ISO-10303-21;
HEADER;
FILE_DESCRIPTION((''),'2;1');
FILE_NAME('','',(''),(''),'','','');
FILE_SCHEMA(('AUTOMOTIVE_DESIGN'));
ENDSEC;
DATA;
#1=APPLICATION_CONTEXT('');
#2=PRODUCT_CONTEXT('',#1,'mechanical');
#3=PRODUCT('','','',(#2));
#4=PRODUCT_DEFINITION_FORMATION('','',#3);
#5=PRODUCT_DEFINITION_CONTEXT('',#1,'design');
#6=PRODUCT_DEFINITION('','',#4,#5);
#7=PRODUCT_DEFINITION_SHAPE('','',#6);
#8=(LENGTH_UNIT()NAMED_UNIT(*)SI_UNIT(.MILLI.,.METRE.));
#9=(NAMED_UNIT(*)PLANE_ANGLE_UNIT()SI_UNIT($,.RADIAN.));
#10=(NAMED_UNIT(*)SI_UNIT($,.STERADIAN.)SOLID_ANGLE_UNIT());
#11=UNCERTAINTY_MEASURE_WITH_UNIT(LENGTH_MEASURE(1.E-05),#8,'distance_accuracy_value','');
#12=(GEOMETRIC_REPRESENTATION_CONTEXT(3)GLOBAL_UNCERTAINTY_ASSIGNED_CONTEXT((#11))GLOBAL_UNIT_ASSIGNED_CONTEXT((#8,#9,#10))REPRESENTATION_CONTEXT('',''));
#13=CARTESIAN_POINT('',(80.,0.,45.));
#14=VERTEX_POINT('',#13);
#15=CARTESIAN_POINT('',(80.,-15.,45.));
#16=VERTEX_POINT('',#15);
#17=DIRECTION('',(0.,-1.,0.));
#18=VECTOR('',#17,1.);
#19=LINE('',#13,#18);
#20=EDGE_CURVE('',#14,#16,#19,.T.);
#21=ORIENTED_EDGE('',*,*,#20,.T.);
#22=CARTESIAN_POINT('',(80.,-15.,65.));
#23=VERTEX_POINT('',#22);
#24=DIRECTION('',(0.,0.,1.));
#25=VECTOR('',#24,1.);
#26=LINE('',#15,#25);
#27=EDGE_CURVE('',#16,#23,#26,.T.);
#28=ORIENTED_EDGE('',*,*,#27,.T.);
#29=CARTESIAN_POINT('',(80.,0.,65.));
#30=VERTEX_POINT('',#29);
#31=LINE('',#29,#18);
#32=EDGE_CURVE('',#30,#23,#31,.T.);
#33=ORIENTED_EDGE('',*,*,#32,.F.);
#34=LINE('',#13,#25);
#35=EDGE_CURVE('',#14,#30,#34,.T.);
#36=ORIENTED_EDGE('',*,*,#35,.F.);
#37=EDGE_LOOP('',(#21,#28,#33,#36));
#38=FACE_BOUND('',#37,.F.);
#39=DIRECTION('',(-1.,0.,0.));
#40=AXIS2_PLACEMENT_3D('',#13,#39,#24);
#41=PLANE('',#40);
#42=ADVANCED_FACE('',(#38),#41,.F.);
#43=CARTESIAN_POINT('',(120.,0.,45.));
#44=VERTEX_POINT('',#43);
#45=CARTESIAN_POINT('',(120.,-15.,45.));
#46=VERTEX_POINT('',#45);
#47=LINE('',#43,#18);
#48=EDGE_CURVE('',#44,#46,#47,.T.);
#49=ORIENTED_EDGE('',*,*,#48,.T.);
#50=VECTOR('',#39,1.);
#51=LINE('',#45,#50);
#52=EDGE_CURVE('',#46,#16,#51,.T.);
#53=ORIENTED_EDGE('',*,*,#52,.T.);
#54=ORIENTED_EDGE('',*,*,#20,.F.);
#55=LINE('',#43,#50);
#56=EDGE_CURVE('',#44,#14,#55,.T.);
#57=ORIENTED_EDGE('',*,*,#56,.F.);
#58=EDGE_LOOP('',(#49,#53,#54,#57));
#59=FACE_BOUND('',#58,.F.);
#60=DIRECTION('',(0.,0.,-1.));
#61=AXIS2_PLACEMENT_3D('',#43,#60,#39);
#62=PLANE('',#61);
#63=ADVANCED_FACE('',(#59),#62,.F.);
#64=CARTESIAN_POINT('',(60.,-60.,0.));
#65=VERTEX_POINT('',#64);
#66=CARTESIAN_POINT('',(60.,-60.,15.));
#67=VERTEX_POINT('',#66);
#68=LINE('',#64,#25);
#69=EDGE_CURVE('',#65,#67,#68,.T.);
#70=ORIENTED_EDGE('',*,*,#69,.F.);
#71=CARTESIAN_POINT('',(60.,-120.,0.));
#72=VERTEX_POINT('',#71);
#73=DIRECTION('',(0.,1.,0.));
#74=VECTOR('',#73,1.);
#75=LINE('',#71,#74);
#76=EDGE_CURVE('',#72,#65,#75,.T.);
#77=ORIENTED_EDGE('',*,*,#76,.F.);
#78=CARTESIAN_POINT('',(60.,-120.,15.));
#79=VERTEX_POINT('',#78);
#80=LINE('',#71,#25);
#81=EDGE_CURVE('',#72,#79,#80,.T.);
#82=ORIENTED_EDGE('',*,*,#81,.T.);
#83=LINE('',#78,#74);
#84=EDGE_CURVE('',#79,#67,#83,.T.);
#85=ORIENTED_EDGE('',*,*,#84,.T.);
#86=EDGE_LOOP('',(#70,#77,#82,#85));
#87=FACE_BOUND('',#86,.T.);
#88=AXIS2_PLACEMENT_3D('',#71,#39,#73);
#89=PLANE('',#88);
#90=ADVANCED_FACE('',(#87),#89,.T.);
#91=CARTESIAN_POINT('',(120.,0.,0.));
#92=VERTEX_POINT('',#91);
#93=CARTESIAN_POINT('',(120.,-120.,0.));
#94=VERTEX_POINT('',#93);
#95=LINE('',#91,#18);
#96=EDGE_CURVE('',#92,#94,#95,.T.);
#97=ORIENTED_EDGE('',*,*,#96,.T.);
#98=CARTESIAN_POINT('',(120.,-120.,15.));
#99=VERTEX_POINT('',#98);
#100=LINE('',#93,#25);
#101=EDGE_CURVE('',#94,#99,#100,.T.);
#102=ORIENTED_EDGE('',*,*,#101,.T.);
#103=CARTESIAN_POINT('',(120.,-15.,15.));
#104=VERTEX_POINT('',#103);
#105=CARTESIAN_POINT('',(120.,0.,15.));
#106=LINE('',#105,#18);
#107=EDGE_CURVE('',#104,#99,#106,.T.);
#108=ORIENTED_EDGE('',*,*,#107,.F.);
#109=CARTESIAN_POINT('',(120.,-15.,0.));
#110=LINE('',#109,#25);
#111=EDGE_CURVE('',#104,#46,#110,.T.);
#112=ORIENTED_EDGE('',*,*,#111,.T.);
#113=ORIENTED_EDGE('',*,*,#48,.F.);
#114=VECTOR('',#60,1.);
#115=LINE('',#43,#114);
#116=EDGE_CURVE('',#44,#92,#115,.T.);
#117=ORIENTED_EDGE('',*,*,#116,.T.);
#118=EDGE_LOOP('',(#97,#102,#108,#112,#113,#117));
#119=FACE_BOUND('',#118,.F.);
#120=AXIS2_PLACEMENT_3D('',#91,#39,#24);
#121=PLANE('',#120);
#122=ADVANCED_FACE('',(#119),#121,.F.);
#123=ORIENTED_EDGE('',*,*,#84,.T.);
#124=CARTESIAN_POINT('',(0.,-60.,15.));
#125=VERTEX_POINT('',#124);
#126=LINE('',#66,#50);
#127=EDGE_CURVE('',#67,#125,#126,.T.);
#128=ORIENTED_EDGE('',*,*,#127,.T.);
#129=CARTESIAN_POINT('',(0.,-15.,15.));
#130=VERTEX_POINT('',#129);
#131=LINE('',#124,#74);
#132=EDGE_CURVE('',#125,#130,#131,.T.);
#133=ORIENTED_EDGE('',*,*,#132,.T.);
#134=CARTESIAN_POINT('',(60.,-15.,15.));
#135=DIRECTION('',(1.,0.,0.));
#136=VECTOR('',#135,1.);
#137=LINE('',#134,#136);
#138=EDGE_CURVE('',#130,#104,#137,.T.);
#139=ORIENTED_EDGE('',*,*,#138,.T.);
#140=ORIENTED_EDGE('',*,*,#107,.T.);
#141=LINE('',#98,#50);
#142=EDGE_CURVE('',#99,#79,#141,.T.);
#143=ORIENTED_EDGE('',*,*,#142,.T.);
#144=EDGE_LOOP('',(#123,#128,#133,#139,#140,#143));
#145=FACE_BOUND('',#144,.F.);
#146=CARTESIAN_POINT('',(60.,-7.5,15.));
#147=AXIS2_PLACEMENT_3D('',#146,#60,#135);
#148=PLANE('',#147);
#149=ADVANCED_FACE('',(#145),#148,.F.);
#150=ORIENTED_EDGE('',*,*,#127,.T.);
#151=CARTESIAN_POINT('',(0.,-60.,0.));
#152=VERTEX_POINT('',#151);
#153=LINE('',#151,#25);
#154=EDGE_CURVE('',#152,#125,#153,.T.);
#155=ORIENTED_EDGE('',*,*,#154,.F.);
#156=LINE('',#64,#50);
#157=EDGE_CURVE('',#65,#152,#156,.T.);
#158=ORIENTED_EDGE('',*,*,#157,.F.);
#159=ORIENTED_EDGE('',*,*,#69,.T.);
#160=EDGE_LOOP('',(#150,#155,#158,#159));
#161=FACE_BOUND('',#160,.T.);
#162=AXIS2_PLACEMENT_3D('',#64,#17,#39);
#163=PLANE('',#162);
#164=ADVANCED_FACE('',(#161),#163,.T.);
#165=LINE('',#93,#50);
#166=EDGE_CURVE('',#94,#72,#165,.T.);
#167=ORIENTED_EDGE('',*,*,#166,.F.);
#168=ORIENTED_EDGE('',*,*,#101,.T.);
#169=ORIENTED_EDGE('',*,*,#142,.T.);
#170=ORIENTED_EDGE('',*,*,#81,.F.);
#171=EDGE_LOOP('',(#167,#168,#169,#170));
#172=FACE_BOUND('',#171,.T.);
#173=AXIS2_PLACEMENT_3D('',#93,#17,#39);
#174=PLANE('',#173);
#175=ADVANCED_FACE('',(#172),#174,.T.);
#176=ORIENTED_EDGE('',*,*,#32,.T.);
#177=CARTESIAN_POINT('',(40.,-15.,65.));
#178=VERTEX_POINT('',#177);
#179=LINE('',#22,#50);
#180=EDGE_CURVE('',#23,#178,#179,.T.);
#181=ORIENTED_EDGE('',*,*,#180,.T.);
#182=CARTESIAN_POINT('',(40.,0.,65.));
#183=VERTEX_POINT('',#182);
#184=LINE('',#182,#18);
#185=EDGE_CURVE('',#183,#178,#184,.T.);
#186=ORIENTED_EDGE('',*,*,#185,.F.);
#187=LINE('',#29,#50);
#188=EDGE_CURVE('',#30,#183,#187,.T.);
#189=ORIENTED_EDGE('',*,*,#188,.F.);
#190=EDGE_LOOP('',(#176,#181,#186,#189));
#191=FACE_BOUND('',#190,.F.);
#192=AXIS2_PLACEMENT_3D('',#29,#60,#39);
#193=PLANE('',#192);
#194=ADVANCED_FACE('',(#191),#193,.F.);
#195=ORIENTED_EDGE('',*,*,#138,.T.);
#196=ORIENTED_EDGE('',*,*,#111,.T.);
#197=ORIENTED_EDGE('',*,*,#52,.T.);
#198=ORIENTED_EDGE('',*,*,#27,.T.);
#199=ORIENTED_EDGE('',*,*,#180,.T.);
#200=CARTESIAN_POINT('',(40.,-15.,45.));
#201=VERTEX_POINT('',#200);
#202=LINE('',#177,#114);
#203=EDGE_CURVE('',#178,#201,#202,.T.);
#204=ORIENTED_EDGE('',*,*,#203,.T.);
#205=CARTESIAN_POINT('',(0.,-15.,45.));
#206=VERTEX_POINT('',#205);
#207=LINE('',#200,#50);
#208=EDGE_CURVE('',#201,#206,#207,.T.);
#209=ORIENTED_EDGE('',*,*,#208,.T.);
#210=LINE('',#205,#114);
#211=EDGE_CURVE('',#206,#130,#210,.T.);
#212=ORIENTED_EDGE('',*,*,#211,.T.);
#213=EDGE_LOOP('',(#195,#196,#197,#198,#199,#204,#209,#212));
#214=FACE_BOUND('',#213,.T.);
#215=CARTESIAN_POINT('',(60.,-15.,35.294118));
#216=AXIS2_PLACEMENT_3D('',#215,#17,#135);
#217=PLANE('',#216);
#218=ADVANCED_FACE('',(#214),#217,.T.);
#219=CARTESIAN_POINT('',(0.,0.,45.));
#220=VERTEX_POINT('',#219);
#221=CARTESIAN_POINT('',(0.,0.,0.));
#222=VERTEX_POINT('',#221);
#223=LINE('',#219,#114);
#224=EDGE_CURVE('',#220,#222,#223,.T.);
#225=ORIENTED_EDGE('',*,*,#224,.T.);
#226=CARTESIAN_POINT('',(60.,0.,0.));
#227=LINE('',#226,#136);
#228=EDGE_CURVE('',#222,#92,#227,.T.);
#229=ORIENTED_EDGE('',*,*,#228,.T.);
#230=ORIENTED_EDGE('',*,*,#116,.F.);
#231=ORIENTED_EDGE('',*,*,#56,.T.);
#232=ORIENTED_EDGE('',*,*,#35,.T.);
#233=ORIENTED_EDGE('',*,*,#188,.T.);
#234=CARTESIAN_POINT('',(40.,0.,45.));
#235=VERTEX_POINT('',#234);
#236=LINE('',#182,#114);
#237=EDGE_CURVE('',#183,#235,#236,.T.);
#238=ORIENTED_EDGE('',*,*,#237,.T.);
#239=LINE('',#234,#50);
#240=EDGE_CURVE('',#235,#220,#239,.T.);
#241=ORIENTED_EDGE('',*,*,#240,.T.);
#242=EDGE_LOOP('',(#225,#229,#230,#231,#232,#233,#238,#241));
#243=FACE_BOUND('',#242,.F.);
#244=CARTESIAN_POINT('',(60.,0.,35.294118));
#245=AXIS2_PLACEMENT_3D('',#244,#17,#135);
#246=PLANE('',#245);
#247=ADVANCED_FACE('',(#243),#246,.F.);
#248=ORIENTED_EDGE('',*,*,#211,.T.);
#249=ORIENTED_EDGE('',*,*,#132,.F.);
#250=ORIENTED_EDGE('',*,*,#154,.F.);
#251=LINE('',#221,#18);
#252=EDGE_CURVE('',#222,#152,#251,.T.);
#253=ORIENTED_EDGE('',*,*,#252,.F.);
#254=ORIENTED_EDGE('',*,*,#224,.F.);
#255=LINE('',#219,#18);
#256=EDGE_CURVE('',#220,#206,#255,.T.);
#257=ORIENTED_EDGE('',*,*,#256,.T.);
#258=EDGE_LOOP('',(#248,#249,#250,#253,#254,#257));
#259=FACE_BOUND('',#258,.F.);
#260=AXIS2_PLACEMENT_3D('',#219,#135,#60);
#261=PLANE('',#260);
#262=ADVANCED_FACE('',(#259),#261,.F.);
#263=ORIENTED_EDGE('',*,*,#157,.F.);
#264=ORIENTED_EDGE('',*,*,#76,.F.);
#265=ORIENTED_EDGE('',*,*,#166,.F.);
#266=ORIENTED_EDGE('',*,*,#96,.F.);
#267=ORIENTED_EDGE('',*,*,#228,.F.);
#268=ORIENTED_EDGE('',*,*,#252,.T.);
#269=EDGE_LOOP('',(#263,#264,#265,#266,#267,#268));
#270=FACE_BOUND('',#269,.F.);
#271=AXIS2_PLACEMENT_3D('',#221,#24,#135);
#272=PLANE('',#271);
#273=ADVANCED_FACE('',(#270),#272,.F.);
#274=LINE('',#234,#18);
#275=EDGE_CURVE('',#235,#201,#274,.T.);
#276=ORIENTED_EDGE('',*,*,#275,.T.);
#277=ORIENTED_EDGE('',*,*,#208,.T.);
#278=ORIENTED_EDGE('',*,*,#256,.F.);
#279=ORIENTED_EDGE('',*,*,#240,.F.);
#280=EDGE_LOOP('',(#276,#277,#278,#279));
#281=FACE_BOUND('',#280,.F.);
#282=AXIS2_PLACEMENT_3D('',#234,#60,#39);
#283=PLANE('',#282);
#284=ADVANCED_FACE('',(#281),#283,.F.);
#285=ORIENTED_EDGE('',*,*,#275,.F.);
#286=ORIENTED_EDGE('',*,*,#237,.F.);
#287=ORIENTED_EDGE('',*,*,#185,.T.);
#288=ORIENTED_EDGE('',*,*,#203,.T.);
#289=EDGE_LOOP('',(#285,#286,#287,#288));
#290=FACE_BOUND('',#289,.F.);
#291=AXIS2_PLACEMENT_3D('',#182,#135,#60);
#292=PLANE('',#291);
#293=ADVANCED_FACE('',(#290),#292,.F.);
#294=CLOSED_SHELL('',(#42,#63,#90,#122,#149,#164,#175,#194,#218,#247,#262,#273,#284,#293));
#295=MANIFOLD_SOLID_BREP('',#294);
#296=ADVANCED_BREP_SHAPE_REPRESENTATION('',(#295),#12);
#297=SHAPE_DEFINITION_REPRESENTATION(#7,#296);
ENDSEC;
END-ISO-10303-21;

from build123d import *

# Parameters (mm, degrees)
F0_W     = 120
F0_H     = 15
F1_DEPTH = 15
F2_W     = 120
F2_H     = 15
F3_DEPTH = 15


with BuildPart() as f1:
    # F0 (on Front) → F1 (new body)
    with BuildSketch(Plane.XZ):
        Polygon((0, 45), (0, 15), (120, 15), (120, 45), (80, 45), (80, 65), (40, 65), (40, 45), align=None)
        with Locations((60, 7.5)):
            Rectangle(F0_W, F0_H)
    extrude(amount=F1_DEPTH)

    # F2 (on face) → F3 (join)
    with BuildSketch(Plane(origin=(0, 0, 0), x_dir=(1, 0, 0), z_dir=(0, 0, -1))):
        with Locations((60, 7.5)):
            Rectangle(F2_W, F2_H)
        Polygon((0, 60), (0, 15), (120, 15), (120, 120), (60, 120), (60, 60), align=None)
    extrude(amount=-F3_DEPTH)


solid = f1.part
